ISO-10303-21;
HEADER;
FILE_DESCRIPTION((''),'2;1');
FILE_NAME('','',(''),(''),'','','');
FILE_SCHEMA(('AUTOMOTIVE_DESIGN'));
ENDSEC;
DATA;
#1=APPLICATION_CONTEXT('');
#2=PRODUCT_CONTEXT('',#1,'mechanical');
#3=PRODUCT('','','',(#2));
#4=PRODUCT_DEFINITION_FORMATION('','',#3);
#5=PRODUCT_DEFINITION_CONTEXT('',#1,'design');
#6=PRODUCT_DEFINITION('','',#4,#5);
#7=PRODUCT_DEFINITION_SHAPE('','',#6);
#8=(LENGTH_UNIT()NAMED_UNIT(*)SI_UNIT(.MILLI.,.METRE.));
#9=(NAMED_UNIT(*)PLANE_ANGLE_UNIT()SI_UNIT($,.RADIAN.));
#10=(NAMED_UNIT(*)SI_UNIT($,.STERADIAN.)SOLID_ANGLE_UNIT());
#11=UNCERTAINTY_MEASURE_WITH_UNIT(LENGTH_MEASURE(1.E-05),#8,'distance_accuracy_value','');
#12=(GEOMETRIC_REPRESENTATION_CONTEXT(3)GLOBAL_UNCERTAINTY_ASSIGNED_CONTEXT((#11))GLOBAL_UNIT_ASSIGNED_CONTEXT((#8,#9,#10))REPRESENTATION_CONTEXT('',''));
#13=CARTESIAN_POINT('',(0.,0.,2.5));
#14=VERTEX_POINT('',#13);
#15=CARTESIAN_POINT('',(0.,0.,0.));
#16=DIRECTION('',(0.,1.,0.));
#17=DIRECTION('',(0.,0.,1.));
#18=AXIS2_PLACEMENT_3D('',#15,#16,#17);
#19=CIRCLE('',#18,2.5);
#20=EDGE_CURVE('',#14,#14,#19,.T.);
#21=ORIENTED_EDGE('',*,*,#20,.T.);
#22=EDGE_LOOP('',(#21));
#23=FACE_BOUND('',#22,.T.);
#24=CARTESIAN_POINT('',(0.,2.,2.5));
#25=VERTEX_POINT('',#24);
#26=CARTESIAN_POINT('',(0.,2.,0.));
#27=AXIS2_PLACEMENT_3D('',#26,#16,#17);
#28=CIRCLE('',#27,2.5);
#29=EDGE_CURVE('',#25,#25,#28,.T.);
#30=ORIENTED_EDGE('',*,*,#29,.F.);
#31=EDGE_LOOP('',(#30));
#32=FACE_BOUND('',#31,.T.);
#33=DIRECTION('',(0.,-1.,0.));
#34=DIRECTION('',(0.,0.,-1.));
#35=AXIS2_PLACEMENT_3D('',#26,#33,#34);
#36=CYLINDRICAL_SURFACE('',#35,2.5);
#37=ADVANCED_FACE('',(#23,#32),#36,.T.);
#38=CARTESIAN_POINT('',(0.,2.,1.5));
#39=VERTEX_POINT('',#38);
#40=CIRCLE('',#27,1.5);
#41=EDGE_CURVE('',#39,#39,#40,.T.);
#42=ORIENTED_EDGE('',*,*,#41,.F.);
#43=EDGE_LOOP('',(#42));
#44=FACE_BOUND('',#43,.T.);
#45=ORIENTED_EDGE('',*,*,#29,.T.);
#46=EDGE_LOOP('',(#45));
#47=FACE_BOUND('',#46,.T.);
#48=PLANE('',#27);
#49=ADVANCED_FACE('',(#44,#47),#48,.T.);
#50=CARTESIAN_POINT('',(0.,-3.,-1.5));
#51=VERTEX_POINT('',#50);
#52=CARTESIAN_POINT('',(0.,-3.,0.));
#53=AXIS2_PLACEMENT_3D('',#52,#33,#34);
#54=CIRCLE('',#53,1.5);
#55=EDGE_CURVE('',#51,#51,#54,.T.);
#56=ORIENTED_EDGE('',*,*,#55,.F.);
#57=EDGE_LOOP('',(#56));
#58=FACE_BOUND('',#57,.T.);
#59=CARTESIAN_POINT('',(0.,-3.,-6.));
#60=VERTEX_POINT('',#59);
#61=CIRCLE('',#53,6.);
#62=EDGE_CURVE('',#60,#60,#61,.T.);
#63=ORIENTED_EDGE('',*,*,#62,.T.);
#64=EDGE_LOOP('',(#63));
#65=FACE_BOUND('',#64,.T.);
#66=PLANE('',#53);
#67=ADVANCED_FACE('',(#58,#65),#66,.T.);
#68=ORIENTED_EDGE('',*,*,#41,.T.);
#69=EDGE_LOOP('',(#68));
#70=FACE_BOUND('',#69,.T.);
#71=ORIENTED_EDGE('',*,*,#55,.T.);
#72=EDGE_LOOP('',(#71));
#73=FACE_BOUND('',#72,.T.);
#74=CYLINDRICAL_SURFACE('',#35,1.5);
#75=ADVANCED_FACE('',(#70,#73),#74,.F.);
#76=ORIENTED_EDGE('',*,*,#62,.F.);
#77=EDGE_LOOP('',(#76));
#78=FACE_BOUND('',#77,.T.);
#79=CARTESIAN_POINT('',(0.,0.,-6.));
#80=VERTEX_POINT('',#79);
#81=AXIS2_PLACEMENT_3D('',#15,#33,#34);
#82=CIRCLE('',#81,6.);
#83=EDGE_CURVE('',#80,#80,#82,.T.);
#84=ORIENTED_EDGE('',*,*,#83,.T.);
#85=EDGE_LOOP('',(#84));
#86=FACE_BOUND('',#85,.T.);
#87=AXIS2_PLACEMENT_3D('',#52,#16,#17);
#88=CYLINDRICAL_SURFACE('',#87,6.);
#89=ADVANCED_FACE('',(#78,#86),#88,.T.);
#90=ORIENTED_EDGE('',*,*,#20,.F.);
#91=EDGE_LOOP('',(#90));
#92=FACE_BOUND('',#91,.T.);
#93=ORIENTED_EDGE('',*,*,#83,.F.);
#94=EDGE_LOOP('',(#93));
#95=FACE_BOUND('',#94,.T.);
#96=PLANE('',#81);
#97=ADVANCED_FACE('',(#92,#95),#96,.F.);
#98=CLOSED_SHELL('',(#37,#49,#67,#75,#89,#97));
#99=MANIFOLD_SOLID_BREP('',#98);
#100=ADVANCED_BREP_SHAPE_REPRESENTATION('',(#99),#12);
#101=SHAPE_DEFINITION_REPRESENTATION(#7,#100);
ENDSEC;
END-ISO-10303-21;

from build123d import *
from build123d.topology import SkipClean

# Parameters (mm, degrees)
SKETCH_1_R      = 2.5
SKETCH_1_R_2    = 1.5
EXTRUDE_1_DEPTH = 2
EXTRUDE_START   = 3
SKETCH_2_R      = 6
SKETCH_2_R_2    = 1.5
EXTRUDE_2_DEPTH = 3


with BuildPart() as part:
    # 草图1 → 凸台-拉伸1 (new body)
    with BuildSketch(Plane(origin=(0, 0, 0), x_dir=(1, 0, 0), z_dir=(0, 1, 0))):
        with Locations(Location((0, 0, 0), (0, 0, 270))):
            Circle(SKETCH_1_R)
        with Locations(Location((0, 0, 0), (0, 0, 270))):
            Circle(SKETCH_1_R_2, mode=Mode.SUBTRACT)
    extrude(amount=EXTRUDE_1_DEPTH)

    # 草图2 → 凸台-拉伸2 (add)
    with SkipClean():  # the faces are left unmerged after this step: merging them gives an invalid solid
        with BuildSketch(Plane.XZ.offset(EXTRUDE_START)):
            with Locations(Location((0, 0, 0), (0, 0, 270))):
                Circle(SKETCH_2_R)
            with Locations(Location((0, 0, 0), (0, 0, 270))):
                Circle(SKETCH_2_R_2, mode=Mode.SUBTRACT)
        extrude(amount=-EXTRUDE_2_DEPTH)


solid = part.part
